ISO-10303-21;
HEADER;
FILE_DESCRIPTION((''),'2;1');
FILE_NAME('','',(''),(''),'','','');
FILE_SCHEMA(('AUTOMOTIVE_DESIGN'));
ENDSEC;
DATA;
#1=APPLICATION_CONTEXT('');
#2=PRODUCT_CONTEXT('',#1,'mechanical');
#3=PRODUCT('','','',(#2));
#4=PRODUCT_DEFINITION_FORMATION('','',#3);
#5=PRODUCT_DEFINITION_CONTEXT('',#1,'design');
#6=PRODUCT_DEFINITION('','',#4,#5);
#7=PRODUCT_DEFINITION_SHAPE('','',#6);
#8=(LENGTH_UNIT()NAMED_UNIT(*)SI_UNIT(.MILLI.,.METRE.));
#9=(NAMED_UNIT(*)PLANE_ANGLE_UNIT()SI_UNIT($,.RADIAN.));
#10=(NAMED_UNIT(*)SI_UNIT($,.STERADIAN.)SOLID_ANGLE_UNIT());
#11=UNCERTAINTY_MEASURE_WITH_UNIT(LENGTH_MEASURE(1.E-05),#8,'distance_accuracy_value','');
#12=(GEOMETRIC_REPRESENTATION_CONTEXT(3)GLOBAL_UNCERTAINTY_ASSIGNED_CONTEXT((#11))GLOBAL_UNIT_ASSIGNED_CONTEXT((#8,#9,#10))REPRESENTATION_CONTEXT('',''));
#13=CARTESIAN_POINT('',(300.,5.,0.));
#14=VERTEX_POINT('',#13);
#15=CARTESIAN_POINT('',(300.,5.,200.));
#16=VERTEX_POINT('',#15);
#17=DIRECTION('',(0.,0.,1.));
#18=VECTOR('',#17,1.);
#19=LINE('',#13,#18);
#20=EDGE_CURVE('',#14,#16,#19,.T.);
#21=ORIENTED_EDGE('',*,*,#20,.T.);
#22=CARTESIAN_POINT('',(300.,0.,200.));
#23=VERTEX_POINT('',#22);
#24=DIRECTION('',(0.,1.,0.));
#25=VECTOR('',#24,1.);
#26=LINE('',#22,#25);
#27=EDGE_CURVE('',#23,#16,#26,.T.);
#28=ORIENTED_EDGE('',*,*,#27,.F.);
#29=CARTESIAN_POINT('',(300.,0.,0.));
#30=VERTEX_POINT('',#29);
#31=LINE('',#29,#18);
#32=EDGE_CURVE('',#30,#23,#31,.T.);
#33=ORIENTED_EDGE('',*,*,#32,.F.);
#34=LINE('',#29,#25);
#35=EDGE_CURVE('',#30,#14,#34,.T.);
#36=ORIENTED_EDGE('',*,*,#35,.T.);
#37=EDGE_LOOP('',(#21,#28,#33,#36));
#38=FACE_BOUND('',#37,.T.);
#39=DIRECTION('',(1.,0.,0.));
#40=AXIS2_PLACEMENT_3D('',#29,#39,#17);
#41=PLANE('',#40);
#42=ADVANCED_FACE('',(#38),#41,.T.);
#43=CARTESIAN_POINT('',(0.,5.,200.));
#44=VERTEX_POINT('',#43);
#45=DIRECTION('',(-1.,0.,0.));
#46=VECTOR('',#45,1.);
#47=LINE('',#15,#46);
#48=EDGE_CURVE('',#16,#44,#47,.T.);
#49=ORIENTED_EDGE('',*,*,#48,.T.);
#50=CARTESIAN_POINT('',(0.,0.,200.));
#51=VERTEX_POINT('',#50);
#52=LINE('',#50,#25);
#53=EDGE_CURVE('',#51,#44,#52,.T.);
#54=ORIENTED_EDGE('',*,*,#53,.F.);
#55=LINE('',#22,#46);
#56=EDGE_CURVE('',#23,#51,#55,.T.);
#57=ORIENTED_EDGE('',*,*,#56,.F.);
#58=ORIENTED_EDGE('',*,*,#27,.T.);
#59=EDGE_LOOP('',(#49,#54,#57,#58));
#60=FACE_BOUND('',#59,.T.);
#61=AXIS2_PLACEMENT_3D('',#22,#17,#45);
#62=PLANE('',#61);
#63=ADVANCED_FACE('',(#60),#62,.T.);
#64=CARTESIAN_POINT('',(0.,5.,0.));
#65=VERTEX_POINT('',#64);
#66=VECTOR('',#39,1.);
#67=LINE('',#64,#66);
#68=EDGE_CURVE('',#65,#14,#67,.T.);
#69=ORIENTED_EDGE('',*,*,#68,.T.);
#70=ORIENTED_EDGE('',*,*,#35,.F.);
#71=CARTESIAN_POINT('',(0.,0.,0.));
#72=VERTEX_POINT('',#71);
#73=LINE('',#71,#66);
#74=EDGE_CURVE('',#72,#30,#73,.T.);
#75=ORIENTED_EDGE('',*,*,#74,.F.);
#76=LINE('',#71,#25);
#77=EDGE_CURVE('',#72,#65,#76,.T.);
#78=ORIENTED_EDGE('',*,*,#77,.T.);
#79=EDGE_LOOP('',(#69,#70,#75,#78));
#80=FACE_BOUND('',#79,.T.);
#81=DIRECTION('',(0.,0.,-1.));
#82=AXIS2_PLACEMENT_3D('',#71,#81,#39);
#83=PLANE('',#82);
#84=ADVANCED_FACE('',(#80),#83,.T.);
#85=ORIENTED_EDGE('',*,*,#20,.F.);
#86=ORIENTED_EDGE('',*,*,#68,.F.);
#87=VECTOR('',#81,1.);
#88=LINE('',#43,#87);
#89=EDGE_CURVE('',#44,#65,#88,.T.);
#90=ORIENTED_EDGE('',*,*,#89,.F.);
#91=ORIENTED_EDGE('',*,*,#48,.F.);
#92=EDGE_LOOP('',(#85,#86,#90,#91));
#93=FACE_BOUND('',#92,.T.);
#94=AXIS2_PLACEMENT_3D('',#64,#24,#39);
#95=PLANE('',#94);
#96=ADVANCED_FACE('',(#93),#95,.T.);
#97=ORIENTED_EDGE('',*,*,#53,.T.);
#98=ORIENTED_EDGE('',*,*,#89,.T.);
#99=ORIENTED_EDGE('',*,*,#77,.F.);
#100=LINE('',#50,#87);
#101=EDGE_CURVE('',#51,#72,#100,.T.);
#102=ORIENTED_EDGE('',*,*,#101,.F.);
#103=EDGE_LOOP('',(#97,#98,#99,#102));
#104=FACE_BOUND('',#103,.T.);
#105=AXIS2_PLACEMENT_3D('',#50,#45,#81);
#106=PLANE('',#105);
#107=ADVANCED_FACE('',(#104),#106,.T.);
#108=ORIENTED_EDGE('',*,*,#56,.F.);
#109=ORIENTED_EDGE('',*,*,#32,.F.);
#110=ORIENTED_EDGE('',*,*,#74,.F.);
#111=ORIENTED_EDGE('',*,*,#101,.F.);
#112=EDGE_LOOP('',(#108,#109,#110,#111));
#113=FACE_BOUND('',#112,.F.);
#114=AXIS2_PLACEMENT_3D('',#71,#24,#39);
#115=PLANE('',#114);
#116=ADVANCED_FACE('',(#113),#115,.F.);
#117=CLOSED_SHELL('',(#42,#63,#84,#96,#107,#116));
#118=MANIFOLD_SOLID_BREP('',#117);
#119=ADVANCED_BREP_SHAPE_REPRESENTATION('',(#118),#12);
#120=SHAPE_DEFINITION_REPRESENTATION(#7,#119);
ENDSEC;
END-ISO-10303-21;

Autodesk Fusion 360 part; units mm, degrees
sketch "Sketch1" plane through (0, 0, 0) normal (0, 1, 0) x (1, 0, 0)
  line L0 (0, 0) -> (300, 0)
  line L1 (300, 0) -> (300, -200)
  line L2 (300, -200) -> (0, -200)
  line L3 (0, -200) -> (0, 0)
  dimension "d1" = 300
  dimension "d2" = 200
extrude "Extrude1" add sketch "Sketch1" along normal blind 5
